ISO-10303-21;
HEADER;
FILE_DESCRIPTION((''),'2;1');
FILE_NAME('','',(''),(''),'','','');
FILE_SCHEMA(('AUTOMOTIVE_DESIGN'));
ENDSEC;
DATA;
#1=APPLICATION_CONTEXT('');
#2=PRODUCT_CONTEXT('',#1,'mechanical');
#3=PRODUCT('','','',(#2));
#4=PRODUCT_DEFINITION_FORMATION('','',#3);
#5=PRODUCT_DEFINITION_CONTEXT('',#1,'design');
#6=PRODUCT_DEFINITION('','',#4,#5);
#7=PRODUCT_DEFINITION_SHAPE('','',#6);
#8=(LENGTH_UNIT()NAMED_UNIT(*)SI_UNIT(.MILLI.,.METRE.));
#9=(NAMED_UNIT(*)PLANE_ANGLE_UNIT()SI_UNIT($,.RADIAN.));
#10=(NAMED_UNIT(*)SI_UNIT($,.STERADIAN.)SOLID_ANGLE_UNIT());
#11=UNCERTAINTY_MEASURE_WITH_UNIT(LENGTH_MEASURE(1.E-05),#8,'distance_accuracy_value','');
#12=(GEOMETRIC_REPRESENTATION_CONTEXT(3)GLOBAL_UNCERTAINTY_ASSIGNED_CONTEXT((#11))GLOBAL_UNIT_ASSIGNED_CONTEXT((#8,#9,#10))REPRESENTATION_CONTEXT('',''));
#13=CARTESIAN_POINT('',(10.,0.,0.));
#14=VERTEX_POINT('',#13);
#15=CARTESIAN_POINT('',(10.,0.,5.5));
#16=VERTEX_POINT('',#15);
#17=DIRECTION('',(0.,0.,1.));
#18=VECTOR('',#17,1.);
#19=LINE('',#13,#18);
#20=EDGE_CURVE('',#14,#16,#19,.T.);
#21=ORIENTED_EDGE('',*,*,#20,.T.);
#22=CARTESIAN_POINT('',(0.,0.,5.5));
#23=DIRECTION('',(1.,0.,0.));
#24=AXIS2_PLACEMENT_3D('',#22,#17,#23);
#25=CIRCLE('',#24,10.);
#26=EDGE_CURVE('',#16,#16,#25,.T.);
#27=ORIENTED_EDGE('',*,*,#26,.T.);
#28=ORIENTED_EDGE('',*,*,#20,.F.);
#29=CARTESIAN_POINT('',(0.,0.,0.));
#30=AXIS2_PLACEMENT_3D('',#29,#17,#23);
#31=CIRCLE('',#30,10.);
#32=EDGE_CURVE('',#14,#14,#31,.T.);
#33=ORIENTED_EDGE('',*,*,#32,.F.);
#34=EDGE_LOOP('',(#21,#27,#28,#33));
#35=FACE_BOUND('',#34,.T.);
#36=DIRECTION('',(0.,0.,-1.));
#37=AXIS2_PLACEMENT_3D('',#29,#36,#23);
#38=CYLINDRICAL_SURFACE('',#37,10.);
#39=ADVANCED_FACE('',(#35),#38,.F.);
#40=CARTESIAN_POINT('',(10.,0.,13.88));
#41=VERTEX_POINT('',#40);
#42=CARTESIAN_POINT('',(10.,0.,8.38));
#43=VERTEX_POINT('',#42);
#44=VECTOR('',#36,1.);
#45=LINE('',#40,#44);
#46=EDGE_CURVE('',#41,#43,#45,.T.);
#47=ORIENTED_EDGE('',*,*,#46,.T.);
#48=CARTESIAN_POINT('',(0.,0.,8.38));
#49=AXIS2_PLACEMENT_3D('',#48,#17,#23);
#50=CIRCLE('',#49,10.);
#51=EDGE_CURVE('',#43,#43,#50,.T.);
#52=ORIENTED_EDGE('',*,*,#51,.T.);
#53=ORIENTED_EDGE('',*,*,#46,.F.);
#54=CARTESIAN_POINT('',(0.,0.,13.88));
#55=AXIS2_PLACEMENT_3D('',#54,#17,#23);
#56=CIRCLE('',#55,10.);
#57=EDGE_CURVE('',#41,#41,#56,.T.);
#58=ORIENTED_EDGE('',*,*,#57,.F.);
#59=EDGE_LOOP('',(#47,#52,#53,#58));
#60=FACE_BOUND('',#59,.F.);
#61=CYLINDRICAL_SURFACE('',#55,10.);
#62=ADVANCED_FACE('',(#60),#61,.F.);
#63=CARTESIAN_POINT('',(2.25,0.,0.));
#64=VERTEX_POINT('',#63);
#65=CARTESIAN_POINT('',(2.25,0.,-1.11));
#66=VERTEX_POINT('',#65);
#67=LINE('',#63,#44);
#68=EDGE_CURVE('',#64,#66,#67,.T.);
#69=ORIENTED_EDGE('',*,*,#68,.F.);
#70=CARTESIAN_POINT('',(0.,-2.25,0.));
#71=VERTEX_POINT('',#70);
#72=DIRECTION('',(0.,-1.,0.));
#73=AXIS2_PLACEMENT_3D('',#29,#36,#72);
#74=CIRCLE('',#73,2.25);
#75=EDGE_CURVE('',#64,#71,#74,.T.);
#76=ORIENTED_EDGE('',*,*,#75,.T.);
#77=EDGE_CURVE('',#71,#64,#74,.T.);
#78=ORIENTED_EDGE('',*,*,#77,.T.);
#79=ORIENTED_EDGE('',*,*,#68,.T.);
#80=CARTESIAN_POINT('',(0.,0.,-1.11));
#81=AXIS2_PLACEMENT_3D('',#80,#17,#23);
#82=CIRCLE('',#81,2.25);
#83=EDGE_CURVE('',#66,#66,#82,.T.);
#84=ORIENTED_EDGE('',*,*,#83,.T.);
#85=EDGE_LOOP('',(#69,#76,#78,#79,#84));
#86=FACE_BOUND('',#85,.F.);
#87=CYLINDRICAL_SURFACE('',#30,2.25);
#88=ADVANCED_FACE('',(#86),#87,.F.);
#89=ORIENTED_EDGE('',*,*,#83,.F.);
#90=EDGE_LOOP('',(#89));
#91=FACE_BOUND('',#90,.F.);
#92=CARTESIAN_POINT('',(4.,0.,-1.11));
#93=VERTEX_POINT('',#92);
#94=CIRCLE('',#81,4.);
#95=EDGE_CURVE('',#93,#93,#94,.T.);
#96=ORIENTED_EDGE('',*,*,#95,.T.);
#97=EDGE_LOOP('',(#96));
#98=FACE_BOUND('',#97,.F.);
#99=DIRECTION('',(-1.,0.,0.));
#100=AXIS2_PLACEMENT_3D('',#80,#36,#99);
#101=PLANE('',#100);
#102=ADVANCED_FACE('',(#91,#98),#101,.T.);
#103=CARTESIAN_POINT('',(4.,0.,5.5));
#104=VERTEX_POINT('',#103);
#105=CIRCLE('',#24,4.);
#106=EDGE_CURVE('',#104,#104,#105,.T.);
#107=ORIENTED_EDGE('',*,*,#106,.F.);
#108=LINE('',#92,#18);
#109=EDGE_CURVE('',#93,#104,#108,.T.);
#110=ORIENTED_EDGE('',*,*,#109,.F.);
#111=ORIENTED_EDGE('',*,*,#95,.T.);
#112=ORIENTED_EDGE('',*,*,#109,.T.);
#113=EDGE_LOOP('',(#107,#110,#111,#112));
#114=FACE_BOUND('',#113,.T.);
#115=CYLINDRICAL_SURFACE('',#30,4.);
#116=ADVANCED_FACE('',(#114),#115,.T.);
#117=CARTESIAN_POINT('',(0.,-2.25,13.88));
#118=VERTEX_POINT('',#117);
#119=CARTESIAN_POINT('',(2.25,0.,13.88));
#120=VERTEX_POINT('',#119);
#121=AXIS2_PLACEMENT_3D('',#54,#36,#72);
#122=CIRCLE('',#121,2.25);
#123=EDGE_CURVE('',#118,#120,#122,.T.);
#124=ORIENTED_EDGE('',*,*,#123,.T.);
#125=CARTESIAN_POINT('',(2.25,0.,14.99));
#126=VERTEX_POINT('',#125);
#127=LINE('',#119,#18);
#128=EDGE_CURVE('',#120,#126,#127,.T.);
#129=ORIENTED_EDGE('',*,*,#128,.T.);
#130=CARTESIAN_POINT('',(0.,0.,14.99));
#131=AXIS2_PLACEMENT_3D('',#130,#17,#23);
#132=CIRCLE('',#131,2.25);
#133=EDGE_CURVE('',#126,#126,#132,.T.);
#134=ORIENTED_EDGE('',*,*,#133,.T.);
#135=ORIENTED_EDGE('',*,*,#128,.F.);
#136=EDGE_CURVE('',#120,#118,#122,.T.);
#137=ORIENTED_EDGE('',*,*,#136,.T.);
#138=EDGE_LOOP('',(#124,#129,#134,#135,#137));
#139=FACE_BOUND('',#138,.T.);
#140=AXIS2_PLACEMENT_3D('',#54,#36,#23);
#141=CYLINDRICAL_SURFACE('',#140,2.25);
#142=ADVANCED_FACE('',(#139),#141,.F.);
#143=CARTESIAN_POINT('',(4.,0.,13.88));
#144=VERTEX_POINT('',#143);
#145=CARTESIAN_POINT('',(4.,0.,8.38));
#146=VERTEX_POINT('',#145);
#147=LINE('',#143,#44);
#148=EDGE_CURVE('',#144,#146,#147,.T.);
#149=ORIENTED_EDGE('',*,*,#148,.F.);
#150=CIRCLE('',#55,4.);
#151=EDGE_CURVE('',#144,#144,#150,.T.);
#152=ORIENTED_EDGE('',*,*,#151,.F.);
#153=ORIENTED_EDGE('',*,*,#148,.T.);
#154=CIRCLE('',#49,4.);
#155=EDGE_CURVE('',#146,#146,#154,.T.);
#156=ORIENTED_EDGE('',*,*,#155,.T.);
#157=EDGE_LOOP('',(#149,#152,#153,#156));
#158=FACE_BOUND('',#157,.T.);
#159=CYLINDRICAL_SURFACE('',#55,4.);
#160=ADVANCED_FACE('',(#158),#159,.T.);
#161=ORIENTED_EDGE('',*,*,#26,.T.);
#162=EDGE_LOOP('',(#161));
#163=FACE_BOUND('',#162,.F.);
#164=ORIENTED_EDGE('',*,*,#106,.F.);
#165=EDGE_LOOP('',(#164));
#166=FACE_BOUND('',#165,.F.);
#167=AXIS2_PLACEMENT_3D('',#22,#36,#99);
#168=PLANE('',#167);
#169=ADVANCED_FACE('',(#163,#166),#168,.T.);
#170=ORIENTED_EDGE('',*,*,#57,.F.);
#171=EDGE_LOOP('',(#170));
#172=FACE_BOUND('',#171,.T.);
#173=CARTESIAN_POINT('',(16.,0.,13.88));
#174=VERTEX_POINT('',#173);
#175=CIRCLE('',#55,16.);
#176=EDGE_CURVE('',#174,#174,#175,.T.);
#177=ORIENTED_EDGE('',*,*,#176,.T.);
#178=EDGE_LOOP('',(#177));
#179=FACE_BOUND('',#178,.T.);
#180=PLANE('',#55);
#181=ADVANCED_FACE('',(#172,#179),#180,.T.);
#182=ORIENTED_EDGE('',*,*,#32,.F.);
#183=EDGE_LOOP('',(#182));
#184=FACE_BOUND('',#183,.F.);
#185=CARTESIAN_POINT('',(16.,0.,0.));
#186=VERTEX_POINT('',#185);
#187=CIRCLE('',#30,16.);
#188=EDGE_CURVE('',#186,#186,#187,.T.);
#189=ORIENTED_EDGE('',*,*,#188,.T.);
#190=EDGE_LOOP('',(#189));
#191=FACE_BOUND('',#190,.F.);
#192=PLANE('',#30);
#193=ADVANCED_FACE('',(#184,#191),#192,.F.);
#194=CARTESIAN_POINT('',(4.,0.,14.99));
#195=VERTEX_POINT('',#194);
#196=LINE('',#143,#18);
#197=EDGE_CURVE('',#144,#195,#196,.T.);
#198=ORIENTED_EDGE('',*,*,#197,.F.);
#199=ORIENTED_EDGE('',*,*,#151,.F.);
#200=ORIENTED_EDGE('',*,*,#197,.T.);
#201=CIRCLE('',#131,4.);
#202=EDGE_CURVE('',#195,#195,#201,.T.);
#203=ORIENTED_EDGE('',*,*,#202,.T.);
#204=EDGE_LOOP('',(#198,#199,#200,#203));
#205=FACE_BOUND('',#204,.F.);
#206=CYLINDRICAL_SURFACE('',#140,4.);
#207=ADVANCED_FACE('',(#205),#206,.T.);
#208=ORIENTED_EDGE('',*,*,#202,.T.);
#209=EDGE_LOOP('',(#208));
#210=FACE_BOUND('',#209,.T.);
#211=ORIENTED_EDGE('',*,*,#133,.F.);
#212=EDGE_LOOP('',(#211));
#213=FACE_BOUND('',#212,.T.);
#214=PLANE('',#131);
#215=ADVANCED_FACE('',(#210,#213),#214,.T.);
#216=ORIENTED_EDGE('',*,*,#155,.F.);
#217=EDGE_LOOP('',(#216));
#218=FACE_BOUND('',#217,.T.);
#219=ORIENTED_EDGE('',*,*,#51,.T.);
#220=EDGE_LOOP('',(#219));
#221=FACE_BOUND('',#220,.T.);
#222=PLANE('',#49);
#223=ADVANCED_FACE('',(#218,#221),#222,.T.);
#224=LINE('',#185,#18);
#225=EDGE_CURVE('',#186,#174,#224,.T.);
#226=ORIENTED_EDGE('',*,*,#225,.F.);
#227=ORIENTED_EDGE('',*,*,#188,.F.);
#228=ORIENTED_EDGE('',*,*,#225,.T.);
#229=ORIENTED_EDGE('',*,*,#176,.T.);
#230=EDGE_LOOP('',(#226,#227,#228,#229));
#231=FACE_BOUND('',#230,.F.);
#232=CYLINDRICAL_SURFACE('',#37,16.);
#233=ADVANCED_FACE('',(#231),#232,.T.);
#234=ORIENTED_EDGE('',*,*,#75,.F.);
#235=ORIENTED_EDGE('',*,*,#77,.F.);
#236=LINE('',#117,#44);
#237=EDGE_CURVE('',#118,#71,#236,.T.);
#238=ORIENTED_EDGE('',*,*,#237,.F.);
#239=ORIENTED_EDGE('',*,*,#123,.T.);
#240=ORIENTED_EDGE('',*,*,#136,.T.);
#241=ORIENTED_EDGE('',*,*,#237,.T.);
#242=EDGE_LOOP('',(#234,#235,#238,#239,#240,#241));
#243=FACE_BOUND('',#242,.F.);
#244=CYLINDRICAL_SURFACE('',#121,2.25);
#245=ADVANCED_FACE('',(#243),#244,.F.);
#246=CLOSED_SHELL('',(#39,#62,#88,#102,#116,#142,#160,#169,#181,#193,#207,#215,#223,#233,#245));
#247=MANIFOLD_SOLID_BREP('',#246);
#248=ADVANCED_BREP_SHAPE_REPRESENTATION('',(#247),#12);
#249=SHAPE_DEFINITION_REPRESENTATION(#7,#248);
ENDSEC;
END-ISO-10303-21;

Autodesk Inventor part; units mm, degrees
ref_plane "YZ Plane" through (0, 0, 0) normal (1, 0, 0) x (0, 1, 0)
ref_plane "XZ Plane" through (0, 0, 0) normal (0, 1, 0) x (-1, 0, 0)
ref_plane "XY Plane" through (0, 0, 0) normal (0, 0, 1) x (1, 0, 0)
sketch "スケッチ1" plane through (0, 0, 0) normal (0, 0, 1) x (1, 0, 0)
  circle A0 centre (0, 0) radius 16
  dimension "d0" = 32
extrude "押し出し1" add sketch "スケッチ1" along normal blind 13.88
sketch "スケッチ2" plane through (0, 0, 13.88) normal (0, 0, 1) x (1, 0, 0)
  circle A0 centre (0, 0) radius 16 projected
  circle A1 centre (0, 0) radius 10
  circle A2 centre (0, 0) radius 4
  dimension "d3" = 6
  dimension "d4" = 6
extrude "押し出し2" cut sketch "スケッチ2" against normal blind 5.5 contours A1
ref_plane "作業平面1" through (0, 0, 6.94) normal (0, 0, 1) x (1, 0, 0)
mirror "ミラー1" about plane through (0, 0, 6.94) normal (0, 0, 1) of "押し出し2"
sketch "スケッチ3" plane through (0, 0, 13.88) normal (0, 0, 1) x (1, 0, 0)
  point P0 (0, 0)
  point P1 (0, 0)
hole "穴1" at (0, 0, 13.88) direction (0, 0, -1) diameter 4.5 depth 13.88
sketch "スケッチ4" plane through (0, 0, 13.88) normal (0, 0, 1) x (1, 0, 0)
  circle A0 centre (0, 0) radius 2.25 projected
  circle A1 centre (0, 0) radius 4 projected
extrude "押し出し3" add sketch "スケッチ4" along normal blind 1.11
mirror "ミラー2" about plane through (0, 0, 6.94) normal (0, 0, 1) of "押し出し3"
properties part number "wheel" material "ゴム"
